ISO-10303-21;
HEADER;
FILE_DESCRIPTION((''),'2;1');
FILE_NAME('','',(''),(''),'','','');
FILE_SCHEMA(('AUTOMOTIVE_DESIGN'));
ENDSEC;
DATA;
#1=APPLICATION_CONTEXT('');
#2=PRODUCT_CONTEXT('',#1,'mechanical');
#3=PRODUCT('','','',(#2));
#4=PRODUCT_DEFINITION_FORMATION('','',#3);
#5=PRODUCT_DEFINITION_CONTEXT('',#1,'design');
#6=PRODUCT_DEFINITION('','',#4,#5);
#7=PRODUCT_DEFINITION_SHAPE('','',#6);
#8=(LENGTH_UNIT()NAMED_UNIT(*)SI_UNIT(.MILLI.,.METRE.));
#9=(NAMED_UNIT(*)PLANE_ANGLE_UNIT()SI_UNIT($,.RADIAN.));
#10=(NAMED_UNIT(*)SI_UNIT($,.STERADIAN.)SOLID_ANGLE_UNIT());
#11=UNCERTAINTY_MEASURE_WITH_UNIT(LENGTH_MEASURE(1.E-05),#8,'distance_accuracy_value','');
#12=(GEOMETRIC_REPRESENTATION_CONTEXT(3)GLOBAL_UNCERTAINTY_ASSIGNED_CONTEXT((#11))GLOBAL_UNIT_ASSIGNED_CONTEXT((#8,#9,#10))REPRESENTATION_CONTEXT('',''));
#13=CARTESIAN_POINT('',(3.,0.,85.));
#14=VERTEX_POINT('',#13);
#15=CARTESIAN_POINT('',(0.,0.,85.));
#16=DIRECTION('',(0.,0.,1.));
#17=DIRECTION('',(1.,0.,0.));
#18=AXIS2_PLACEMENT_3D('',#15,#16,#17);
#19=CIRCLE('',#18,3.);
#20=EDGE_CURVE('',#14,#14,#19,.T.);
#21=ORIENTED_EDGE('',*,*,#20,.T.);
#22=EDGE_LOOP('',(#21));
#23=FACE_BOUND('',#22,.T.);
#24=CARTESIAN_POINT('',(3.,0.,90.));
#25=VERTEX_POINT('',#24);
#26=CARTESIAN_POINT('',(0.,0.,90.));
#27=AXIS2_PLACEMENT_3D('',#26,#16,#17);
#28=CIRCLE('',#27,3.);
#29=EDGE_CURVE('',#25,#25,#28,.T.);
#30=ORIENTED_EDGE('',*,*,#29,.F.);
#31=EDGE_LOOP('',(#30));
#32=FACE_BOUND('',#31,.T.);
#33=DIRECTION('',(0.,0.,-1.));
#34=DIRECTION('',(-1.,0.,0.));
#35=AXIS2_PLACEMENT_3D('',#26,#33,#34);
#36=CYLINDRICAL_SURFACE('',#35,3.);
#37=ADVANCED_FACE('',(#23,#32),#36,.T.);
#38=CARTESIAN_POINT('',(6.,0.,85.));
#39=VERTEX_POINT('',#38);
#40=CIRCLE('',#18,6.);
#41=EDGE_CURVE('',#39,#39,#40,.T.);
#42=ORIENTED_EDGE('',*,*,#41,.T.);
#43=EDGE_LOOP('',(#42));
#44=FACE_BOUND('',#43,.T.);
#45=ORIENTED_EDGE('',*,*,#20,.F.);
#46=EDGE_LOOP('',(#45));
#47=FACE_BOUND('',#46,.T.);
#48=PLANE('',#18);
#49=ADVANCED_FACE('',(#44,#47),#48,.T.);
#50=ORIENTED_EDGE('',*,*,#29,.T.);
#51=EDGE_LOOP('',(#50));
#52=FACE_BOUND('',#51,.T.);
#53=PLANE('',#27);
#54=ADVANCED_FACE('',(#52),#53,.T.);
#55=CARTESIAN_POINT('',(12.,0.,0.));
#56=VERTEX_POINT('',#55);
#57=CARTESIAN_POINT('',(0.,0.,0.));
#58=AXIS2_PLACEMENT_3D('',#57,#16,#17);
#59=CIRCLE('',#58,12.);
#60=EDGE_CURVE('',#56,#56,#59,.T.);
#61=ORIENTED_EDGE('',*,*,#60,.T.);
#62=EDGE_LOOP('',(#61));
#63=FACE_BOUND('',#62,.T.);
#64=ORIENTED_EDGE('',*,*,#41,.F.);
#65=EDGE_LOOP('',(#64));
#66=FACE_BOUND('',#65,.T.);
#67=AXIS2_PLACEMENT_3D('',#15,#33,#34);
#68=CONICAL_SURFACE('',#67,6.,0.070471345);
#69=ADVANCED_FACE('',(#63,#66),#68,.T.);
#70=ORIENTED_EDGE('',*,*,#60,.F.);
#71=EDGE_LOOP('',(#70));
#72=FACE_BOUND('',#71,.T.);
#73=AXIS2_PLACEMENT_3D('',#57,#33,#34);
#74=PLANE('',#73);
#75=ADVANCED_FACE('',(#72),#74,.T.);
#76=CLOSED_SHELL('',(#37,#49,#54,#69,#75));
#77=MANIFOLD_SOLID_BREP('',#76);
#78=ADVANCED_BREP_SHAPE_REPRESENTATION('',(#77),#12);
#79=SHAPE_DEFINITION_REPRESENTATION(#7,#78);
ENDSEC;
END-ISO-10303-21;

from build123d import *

# Parameters (mm, degrees)
IZIM3_R                     = 3
Y_KSEKLIK_EKSTR_ZYON1_DEPTH = 5


with BuildPart() as part:
    # Çizim2 → Döndür1 (revolve)
    with BuildSketch(Plane(origin=(0, 0, 0), x_dir=(1, 0, 0), z_dir=(0, 1, 0))):
        Polygon((0, 0), (12, 0), (6, -85), (0, -85), align=None)
    revolve(axis=Axis((0, 0, 89.25), (0, 0, -1)))

    # Çizim3 → Yükseklik-Ekstrüzyon1 (add)
    with BuildSketch(Plane.XY.offset(85)):
        Circle(IZIM3_R)
    extrude(amount=Y_KSEKLIK_EKSTR_ZYON1_DEPTH)


solid = part.part
